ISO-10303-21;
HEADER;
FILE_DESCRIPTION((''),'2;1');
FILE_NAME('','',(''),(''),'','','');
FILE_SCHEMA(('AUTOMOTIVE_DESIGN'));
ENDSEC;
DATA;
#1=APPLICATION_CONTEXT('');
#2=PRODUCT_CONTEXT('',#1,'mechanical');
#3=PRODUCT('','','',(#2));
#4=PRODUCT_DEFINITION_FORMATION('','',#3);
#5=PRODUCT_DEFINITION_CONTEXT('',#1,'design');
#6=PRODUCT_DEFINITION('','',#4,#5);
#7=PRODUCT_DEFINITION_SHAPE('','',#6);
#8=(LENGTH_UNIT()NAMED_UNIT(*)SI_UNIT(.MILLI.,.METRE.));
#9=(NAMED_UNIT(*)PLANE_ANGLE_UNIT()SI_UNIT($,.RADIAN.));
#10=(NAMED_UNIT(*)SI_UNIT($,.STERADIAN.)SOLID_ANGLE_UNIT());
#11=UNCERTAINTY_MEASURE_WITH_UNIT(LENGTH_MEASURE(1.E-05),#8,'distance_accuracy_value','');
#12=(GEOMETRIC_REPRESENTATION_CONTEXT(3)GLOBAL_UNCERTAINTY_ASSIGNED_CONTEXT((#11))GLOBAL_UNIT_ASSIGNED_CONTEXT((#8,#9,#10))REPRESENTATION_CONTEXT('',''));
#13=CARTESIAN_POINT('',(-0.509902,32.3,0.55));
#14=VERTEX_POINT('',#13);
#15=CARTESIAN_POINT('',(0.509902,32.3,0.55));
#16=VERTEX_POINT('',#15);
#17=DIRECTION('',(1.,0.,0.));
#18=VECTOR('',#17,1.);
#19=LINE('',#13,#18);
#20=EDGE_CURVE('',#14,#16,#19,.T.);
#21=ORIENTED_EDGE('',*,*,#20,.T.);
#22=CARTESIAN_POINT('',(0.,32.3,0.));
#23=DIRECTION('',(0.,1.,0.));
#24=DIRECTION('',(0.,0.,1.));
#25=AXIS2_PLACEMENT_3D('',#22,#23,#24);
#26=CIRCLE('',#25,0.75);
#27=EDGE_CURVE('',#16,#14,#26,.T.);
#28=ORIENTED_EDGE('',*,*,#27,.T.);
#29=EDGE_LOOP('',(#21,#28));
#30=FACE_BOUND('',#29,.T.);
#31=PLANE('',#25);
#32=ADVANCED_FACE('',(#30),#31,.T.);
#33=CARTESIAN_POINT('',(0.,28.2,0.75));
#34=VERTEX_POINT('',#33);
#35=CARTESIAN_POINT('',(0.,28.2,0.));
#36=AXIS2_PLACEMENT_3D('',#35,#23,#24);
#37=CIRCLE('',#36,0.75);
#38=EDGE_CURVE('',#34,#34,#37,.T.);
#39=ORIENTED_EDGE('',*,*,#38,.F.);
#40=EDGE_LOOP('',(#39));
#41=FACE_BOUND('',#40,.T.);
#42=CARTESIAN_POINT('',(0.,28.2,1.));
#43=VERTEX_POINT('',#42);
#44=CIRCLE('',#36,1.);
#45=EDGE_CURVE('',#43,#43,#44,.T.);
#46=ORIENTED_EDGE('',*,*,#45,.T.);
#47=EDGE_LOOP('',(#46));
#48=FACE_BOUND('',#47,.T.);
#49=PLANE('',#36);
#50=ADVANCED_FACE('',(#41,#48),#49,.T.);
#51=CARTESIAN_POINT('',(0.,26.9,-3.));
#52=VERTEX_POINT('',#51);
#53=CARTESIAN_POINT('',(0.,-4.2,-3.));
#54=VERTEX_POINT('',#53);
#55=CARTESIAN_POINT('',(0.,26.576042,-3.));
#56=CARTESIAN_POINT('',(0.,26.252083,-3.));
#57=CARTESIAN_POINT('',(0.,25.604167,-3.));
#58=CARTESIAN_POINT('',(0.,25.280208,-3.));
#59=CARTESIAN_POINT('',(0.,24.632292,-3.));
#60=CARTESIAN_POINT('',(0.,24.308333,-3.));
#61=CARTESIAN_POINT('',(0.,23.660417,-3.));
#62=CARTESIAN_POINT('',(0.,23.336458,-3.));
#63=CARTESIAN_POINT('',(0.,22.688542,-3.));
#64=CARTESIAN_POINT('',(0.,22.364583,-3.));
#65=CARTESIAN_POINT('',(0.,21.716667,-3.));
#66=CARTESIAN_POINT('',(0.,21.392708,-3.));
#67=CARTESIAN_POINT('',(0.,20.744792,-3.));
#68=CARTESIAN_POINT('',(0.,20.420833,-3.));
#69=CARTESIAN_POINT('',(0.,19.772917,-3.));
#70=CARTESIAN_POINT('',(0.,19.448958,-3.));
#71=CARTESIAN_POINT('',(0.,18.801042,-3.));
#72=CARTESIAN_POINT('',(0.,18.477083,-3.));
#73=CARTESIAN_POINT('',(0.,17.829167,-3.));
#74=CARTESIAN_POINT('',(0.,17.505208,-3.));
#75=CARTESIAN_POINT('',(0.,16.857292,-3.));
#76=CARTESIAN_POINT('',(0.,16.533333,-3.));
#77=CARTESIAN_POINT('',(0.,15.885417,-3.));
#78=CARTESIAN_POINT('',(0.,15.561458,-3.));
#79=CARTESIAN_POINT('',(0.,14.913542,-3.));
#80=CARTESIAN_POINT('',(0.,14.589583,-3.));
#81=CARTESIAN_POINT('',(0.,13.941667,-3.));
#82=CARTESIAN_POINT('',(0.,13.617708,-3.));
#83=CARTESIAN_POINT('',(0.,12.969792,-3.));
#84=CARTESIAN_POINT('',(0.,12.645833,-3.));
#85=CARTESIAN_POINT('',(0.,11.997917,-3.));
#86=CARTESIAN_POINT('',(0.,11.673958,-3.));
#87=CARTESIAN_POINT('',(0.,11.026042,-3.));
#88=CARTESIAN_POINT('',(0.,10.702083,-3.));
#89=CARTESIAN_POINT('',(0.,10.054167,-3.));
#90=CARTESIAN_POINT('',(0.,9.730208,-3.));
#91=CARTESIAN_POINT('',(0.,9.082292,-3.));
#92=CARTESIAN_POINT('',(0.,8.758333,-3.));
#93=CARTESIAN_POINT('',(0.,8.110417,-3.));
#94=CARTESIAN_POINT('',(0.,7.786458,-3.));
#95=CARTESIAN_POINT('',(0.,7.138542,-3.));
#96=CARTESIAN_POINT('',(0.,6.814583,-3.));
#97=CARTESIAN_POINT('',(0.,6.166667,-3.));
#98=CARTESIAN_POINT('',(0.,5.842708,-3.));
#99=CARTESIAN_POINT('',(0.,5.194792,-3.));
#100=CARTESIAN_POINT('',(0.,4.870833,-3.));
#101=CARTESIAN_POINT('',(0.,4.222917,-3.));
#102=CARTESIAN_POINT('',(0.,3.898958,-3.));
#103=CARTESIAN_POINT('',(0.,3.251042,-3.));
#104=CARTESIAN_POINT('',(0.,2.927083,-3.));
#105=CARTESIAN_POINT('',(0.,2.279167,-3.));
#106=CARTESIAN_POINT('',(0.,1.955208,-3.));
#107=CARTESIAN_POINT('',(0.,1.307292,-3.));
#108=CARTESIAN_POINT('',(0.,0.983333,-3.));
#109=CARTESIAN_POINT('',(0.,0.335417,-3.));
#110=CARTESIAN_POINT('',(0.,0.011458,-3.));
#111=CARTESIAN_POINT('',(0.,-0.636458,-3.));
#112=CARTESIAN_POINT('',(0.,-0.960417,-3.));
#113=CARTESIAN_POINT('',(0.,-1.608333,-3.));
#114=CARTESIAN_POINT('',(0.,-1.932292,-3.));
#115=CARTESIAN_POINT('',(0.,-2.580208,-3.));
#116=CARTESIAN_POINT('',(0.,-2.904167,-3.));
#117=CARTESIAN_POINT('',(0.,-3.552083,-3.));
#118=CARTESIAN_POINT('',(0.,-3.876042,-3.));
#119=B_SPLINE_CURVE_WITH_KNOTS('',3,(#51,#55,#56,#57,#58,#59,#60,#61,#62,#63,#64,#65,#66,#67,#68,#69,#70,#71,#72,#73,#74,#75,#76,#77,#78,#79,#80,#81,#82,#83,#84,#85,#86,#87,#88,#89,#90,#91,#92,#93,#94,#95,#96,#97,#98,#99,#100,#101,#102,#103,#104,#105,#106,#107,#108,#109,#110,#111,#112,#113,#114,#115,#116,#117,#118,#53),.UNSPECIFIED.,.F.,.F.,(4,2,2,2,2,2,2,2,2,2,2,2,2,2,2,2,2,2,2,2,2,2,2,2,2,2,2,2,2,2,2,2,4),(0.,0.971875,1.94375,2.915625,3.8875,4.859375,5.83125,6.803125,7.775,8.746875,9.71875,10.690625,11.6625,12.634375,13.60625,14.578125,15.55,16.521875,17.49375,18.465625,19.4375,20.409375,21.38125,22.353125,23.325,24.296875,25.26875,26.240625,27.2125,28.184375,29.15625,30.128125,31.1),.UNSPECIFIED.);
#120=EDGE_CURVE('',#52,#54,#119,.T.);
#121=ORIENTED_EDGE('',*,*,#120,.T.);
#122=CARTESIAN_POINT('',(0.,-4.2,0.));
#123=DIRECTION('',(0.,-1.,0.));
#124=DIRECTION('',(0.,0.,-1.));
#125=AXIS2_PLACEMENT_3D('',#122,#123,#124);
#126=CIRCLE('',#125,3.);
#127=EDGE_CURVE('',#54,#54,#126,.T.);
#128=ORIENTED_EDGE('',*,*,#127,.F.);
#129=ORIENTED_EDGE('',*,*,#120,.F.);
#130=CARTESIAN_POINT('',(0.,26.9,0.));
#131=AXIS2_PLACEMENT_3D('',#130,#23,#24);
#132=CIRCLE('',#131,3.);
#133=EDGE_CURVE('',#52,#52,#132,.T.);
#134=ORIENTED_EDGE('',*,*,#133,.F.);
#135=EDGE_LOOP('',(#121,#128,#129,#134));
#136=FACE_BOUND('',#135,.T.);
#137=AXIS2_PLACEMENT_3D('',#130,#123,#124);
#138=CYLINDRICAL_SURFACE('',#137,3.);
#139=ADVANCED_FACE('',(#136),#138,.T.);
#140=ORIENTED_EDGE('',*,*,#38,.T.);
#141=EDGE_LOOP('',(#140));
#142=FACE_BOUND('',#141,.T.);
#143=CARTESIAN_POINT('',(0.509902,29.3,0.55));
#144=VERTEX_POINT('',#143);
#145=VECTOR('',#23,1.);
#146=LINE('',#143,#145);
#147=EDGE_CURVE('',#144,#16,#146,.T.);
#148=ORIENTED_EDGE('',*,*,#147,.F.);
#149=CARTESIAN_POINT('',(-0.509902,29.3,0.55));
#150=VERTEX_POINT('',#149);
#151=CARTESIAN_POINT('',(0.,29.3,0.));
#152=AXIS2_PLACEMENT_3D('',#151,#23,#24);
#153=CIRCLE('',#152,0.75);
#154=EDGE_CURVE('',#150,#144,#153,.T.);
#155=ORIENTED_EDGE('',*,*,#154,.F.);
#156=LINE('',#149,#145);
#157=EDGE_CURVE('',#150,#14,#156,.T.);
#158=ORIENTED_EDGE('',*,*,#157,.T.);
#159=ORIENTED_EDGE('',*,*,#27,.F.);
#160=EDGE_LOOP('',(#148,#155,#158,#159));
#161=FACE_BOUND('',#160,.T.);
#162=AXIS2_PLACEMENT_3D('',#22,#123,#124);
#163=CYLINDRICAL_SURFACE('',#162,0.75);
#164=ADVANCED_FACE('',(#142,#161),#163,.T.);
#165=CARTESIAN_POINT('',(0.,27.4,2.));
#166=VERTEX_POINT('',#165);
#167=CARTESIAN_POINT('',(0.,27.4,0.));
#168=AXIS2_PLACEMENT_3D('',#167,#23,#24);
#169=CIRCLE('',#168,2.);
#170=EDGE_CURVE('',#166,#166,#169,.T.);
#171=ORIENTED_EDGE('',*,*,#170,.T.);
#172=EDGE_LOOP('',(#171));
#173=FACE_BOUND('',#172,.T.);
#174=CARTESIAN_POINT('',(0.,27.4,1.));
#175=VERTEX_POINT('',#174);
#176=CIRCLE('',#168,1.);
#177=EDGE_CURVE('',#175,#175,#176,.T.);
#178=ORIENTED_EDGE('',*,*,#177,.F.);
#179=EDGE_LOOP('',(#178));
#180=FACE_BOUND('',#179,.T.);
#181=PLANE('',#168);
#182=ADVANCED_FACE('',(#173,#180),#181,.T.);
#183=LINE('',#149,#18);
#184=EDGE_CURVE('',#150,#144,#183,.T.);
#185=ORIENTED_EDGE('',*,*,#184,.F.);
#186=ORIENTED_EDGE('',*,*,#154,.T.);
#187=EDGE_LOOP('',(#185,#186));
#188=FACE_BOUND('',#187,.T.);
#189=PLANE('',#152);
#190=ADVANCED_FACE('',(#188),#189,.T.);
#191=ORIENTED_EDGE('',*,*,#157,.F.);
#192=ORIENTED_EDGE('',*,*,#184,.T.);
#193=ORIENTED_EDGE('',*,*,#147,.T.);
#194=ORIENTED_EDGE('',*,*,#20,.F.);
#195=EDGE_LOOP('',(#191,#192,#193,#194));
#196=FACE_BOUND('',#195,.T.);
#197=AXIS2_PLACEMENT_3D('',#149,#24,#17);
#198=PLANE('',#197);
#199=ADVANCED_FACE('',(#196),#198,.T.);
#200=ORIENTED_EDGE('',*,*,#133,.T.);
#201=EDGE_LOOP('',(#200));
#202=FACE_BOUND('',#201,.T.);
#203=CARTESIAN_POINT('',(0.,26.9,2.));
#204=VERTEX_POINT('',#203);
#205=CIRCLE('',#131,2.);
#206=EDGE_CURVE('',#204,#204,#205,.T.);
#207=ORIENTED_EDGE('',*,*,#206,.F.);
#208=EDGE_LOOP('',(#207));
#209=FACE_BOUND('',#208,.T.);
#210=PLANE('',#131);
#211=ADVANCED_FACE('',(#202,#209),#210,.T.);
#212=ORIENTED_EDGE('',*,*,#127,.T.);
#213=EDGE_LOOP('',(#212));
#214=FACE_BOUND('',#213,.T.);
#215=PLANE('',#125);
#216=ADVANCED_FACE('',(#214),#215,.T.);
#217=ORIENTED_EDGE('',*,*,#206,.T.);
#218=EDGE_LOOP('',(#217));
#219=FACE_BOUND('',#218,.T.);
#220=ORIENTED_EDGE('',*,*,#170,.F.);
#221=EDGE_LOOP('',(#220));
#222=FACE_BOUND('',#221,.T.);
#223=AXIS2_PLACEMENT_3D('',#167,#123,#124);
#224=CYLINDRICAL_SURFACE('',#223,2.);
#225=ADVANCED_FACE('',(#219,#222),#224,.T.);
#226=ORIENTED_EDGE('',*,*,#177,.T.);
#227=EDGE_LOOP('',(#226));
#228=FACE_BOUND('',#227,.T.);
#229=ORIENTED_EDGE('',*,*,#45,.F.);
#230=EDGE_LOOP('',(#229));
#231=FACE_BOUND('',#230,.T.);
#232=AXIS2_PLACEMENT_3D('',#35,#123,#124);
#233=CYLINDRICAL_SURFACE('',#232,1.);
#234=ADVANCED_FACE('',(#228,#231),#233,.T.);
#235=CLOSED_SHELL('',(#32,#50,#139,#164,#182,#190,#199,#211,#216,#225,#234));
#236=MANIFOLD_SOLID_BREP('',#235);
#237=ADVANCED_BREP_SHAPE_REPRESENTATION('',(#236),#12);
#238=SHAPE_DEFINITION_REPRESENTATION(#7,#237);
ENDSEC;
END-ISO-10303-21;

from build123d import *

# Parameters (mm, degrees)
SKETCH1_R             = 3
MOTORANDGEARBOX_DEPTH = 26.9
ENCODER_START         = 4.2
SKETCH2_R             = 3
ENCODER_DEPTH         = 4.2
SKETCH3_R             = 2
BOSS_EXTRUDE3_DEPTH   = 0.5
SKETCH4_R             = 1
BOSS_EXTRUDE4_DEPTH   = 0.8
SKETCH5_R             = 0.75
BOSS_EXTRUDE5_DEPTH   = 4.1
SKETCH6_OUTSIDE_W     = 15.494
SKETCH6_OUTSIDE_H     = 15.494
CUT_EXTRUDE1_DEPTH    = 3


with BuildPart() as part:
    # Sketch1 → motorAndGearbox (new body)
    with BuildSketch(Plane(origin=(0, 0, 0), x_dir=(1, 0, 0), z_dir=(0, 1, 0))):
        with Locations(Location((0, 0, 0), (0, 0, 90))):
            Circle(SKETCH1_R)
    extrude(amount=MOTORANDGEARBOX_DEPTH)

    # Sketch2 → encoder (add)
    with BuildSketch(Plane.XZ.offset(ENCODER_START)):
        with Locations(Location((0, 0, 0), (0, 0, 270))):
            Circle(SKETCH2_R)
    extrude(amount=-ENCODER_DEPTH)

    # Sketch3 → Boss-Extrude3 (add)
    with BuildSketch(Plane(origin=(0, 26.9, 0), x_dir=(1, 0, 0), z_dir=(0, 1, 0))):
        with Locations(Location((0, 0, 0), (0, 0, 270))):
            Circle(SKETCH3_R)
    extrude(amount=BOSS_EXTRUDE3_DEPTH)

    # Sketch4 → Boss-Extrude4 (add)
    with BuildSketch(Plane(origin=(0, 27.4, 0), x_dir=(1, 0, 0), z_dir=(0, 1, 0))):
        with Locations(Location((0, 0, 0), (0, 0, 270))):
            Circle(SKETCH4_R)
    extrude(amount=BOSS_EXTRUDE4_DEPTH)

    # Sketch5 → Boss-Extrude5 (add)
    with BuildSketch(Plane(origin=(0, 28.2, 0), x_dir=(1, 0, 0), z_dir=(0, 1, 0))):
        with Locations(Location((0, 0, 0), (0, 0, 270))):
            Circle(SKETCH5_R)
    extrude(amount=BOSS_EXTRUDE5_DEPTH)

    # Sketch6 outside → Cut-Extrude1 (cut)
    with BuildSketch(Plane(origin=(0, 32.3, 0), x_dir=(1, 0, 0), z_dir=(0, 1, 0))):
        Rectangle(SKETCH6_OUTSIDE_W, SKETCH6_OUTSIDE_H)
        with BuildLine():
            Line((-0.509901951, -0.55), (0.509901951, -0.55))
            ThreePointArc((0.509901951, -0.55), (0, 0.75), (-0.509901951, -0.55))
        make_face(mode=Mode.SUBTRACT)
    extrude(amount=-CUT_EXTRUDE1_DEPTH, mode=Mode.SUBTRACT)


solid = part.part
